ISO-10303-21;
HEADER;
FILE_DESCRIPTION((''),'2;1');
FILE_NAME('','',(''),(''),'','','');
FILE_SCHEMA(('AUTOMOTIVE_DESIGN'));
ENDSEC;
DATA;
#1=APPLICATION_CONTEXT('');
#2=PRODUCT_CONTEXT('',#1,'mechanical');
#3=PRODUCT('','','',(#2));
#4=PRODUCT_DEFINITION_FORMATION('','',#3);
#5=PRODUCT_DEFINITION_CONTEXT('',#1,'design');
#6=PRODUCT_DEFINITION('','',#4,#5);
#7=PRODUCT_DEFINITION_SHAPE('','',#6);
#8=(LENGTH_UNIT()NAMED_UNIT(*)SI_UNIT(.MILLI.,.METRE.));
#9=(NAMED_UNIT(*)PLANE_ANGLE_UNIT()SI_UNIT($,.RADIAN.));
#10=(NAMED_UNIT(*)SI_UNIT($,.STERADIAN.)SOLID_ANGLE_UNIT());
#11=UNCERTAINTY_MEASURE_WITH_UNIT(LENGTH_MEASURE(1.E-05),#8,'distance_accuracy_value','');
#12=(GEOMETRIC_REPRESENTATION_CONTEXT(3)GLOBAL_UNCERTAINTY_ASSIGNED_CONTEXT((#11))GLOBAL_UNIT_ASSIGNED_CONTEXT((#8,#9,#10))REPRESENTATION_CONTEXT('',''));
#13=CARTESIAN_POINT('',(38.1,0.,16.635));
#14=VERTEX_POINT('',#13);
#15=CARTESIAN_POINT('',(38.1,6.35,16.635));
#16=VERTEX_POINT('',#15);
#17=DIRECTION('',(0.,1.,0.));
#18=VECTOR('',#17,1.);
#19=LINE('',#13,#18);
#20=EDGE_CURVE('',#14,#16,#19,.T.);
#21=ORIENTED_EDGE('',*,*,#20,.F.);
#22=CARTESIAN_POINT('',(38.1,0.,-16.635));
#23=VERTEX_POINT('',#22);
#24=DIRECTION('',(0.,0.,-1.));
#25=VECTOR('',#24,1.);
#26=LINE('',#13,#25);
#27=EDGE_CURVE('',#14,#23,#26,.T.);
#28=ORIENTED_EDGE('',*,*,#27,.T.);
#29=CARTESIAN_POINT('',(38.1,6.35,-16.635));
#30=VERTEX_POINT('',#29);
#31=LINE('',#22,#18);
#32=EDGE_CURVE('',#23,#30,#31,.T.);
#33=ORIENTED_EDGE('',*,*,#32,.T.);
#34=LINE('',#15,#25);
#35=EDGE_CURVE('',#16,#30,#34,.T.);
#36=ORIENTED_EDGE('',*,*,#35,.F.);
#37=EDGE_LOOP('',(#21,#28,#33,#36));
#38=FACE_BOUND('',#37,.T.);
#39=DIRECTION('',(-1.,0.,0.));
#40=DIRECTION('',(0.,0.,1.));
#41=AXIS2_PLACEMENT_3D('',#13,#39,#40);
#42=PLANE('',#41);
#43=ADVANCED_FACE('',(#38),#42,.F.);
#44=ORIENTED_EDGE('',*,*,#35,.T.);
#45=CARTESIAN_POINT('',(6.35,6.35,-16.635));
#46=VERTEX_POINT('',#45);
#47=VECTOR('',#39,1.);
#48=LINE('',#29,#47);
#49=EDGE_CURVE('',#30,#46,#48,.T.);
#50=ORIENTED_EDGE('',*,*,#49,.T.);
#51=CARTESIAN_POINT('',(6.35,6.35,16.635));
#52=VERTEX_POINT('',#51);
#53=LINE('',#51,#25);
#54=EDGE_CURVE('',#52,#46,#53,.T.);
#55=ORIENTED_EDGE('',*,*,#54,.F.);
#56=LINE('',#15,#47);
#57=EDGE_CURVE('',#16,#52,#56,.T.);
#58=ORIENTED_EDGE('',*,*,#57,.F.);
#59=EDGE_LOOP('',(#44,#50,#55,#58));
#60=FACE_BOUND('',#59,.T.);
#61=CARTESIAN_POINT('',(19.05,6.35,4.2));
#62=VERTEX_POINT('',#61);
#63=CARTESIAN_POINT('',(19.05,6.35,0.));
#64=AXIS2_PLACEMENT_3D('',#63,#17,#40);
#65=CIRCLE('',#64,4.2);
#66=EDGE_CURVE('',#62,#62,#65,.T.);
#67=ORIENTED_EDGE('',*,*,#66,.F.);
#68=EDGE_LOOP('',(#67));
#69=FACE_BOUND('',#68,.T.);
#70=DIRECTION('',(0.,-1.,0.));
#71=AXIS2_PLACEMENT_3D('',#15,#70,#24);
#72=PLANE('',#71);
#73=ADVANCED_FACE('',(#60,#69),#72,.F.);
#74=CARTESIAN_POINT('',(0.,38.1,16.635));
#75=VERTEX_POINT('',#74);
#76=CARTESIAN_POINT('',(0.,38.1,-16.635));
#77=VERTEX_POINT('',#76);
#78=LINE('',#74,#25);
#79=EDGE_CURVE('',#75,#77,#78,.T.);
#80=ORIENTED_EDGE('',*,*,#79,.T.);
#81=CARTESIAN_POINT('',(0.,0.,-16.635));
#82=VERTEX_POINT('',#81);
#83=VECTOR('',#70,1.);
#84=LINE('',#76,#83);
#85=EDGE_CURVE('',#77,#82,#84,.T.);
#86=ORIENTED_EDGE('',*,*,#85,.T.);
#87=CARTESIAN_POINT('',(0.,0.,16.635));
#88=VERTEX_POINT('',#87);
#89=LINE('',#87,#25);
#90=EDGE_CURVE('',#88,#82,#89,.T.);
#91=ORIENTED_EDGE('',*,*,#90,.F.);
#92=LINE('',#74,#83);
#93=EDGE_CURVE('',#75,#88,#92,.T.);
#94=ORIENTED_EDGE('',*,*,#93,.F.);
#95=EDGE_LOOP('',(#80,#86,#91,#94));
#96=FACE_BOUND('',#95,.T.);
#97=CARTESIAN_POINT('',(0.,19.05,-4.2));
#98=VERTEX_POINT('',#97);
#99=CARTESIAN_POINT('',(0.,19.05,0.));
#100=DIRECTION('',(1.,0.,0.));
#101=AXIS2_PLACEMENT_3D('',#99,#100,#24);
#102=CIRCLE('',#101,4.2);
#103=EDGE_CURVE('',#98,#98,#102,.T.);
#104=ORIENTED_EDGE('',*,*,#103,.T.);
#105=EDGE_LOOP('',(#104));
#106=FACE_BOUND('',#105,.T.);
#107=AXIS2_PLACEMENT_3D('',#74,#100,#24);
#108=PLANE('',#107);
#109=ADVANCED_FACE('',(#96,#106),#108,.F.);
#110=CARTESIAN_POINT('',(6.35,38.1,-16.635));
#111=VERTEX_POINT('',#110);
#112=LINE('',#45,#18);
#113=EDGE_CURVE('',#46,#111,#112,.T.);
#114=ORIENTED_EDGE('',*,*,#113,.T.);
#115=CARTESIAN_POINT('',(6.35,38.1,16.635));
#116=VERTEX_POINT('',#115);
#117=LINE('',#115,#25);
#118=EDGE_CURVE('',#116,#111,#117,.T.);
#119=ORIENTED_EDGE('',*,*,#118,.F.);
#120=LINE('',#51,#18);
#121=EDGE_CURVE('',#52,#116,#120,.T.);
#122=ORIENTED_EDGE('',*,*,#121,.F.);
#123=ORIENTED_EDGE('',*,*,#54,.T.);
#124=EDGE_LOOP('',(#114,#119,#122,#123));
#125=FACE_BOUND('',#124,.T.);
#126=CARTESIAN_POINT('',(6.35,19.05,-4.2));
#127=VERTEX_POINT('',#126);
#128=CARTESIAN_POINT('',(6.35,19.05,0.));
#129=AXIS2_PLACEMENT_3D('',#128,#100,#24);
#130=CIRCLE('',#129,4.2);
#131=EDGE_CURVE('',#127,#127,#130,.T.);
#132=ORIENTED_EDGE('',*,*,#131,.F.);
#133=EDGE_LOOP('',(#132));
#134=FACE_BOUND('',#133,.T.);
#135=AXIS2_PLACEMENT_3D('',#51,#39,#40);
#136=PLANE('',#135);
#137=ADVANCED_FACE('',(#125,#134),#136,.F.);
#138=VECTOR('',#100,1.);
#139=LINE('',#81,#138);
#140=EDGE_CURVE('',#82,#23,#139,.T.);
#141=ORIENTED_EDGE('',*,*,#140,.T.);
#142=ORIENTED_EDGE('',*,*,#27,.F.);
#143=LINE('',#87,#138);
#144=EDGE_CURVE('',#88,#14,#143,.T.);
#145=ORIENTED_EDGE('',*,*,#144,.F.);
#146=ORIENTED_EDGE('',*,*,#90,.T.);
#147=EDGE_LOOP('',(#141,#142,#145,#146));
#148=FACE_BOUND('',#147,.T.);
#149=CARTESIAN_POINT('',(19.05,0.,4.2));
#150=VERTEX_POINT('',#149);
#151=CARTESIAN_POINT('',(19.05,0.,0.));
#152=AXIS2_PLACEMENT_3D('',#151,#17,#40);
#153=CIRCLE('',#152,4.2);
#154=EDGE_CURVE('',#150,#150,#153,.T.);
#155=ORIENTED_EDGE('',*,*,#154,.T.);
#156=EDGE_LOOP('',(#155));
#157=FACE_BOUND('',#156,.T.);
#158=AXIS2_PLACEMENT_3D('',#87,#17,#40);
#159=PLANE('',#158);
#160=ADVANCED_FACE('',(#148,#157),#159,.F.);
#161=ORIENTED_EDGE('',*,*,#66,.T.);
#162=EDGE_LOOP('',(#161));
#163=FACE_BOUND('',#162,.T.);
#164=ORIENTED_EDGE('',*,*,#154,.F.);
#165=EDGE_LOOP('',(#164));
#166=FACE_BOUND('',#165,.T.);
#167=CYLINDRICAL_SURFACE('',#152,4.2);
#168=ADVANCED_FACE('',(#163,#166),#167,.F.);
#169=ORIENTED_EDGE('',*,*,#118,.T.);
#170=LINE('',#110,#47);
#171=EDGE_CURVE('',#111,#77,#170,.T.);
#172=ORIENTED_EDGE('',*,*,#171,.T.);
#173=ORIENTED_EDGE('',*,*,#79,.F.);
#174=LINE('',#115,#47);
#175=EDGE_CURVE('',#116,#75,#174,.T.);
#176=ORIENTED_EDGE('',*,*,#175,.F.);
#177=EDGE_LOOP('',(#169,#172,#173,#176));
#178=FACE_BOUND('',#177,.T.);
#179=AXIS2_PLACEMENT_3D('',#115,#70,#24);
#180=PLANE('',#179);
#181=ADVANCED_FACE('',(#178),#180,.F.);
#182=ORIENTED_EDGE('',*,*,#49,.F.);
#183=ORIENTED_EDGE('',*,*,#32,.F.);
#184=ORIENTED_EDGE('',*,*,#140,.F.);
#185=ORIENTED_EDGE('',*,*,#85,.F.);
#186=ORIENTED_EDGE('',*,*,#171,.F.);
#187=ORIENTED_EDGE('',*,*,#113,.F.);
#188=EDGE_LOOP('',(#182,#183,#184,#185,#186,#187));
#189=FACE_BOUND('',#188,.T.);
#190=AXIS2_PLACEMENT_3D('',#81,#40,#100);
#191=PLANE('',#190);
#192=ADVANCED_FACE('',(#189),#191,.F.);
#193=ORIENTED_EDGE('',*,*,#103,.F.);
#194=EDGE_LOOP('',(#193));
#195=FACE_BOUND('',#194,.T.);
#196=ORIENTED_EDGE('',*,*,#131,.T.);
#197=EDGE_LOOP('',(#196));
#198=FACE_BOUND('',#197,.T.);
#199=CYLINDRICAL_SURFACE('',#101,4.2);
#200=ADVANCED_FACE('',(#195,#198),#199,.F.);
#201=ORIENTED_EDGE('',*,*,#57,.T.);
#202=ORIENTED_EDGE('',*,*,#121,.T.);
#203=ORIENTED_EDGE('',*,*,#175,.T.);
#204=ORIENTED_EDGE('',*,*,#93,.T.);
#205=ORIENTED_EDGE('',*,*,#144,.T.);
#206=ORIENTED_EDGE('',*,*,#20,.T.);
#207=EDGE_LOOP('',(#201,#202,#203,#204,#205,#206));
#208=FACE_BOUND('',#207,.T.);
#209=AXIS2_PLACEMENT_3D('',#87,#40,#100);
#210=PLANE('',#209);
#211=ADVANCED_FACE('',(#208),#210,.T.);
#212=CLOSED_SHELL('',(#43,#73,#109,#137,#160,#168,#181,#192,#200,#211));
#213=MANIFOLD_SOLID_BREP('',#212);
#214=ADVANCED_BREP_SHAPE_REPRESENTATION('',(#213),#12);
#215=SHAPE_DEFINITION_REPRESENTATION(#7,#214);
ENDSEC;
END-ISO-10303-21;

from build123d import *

# Parameters (mm, degrees)
BODY_DEPTH   = 33.27
SKETCH2_R    = 4.2
HOLESX_DEPTH = 6.35
SKETCH3_R    = 4.2
HOLESY_DEPTH = 6.35


with BuildPart() as part:
    # Sketch1 → Body (new body)
    with BuildSketch(Plane.XY.offset(-16.635)):
        Polygon((0, 0), (38.1, 0), (38.1, 6.35), (6.35, 6.35), (6.35, 38.1), (0, 38.1), align=None)
    extrude(amount=BODY_DEPTH)

    # Sketch2 → HolesX (cut)
    with BuildSketch(Plane(origin=(0, 6.35, 0), x_dir=(1, 0, 0), z_dir=(0, 1, 0))):
        with Locations(Location((19.05, 0, 0), (0, 0, 270))):
            Circle(SKETCH2_R)
    extrude(amount=-HOLESX_DEPTH, mode=Mode.SUBTRACT)

    # Sketch3 → HolesY (cut)
    with BuildSketch(Plane(origin=(6.35, 0, 0), x_dir=(0, 0, -1), z_dir=(1, 0, 0))):
        with Locations((0, 19.05)):
            Circle(SKETCH3_R)
    extrude(amount=-HOLESY_DEPTH, mode=Mode.SUBTRACT)


solid = part.part
